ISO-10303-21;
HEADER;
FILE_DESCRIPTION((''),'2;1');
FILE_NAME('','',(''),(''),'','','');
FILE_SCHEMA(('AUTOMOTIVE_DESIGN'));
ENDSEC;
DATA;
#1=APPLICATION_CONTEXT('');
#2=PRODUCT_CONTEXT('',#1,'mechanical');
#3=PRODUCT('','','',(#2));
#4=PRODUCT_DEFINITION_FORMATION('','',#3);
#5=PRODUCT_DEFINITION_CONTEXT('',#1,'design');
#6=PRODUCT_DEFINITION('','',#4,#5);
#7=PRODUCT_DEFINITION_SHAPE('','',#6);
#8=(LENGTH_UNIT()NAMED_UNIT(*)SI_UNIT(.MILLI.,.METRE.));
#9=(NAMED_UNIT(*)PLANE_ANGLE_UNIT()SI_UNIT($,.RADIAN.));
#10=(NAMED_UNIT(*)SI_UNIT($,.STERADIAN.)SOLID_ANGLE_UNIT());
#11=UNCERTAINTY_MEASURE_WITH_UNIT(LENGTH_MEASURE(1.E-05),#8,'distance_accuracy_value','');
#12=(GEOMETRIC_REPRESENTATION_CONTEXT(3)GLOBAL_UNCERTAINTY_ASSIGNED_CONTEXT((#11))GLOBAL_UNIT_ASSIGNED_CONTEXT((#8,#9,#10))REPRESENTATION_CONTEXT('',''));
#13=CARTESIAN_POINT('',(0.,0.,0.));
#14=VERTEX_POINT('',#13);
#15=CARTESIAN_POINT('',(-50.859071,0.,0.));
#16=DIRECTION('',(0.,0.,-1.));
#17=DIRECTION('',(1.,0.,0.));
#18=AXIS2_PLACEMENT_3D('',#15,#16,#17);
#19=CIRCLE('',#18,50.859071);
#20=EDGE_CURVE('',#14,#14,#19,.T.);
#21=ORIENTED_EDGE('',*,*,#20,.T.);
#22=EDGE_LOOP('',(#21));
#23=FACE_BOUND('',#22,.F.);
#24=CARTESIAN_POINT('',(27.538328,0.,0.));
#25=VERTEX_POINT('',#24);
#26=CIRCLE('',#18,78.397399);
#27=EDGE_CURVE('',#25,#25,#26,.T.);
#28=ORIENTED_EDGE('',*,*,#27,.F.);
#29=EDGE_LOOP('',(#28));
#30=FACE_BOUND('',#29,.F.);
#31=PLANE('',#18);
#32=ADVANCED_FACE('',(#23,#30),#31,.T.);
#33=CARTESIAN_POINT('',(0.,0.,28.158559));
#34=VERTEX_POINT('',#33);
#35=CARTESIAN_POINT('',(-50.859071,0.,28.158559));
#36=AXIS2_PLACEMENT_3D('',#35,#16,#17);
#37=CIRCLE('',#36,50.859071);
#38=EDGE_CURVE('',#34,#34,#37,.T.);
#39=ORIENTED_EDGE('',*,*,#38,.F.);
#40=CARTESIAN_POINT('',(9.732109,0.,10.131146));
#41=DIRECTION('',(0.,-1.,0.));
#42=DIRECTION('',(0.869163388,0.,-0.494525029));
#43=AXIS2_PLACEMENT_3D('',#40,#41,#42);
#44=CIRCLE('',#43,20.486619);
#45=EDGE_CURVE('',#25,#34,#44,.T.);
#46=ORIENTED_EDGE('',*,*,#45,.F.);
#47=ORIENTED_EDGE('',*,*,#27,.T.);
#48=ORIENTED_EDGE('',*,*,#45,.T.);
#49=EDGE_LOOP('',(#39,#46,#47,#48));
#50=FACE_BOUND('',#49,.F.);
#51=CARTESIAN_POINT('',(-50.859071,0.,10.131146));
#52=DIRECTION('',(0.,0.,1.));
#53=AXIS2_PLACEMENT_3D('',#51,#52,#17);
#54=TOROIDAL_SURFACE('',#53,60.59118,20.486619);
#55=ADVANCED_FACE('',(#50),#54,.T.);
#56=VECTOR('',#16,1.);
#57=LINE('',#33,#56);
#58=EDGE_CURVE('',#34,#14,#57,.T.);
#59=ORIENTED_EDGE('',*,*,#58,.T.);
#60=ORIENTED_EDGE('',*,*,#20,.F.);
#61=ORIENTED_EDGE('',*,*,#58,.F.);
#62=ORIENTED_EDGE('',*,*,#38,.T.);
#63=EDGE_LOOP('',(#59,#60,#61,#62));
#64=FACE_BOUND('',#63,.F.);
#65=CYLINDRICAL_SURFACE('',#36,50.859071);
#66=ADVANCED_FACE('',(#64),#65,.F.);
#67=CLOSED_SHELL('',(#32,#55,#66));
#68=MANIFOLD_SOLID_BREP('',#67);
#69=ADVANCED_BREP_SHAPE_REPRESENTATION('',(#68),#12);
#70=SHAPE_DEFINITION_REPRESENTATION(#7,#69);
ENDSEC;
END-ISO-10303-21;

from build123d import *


with BuildPart() as f1:
    # F0 (on Front) → F1 (revolve)
    with BuildSketch(Plane.XZ):
        with BuildLine():
            ThreePointArc((27.538328, 0), (24.378744, 24.455169), (0, 28.158559))
            Line((0, 28.158559), (0, 0))
            Line((0, 0), (27.538328, 0))
        make_face()
    revolve(axis=Axis((-50.859071, 0, -8.931347), (0, 0, -1)))


solid = f1.part
